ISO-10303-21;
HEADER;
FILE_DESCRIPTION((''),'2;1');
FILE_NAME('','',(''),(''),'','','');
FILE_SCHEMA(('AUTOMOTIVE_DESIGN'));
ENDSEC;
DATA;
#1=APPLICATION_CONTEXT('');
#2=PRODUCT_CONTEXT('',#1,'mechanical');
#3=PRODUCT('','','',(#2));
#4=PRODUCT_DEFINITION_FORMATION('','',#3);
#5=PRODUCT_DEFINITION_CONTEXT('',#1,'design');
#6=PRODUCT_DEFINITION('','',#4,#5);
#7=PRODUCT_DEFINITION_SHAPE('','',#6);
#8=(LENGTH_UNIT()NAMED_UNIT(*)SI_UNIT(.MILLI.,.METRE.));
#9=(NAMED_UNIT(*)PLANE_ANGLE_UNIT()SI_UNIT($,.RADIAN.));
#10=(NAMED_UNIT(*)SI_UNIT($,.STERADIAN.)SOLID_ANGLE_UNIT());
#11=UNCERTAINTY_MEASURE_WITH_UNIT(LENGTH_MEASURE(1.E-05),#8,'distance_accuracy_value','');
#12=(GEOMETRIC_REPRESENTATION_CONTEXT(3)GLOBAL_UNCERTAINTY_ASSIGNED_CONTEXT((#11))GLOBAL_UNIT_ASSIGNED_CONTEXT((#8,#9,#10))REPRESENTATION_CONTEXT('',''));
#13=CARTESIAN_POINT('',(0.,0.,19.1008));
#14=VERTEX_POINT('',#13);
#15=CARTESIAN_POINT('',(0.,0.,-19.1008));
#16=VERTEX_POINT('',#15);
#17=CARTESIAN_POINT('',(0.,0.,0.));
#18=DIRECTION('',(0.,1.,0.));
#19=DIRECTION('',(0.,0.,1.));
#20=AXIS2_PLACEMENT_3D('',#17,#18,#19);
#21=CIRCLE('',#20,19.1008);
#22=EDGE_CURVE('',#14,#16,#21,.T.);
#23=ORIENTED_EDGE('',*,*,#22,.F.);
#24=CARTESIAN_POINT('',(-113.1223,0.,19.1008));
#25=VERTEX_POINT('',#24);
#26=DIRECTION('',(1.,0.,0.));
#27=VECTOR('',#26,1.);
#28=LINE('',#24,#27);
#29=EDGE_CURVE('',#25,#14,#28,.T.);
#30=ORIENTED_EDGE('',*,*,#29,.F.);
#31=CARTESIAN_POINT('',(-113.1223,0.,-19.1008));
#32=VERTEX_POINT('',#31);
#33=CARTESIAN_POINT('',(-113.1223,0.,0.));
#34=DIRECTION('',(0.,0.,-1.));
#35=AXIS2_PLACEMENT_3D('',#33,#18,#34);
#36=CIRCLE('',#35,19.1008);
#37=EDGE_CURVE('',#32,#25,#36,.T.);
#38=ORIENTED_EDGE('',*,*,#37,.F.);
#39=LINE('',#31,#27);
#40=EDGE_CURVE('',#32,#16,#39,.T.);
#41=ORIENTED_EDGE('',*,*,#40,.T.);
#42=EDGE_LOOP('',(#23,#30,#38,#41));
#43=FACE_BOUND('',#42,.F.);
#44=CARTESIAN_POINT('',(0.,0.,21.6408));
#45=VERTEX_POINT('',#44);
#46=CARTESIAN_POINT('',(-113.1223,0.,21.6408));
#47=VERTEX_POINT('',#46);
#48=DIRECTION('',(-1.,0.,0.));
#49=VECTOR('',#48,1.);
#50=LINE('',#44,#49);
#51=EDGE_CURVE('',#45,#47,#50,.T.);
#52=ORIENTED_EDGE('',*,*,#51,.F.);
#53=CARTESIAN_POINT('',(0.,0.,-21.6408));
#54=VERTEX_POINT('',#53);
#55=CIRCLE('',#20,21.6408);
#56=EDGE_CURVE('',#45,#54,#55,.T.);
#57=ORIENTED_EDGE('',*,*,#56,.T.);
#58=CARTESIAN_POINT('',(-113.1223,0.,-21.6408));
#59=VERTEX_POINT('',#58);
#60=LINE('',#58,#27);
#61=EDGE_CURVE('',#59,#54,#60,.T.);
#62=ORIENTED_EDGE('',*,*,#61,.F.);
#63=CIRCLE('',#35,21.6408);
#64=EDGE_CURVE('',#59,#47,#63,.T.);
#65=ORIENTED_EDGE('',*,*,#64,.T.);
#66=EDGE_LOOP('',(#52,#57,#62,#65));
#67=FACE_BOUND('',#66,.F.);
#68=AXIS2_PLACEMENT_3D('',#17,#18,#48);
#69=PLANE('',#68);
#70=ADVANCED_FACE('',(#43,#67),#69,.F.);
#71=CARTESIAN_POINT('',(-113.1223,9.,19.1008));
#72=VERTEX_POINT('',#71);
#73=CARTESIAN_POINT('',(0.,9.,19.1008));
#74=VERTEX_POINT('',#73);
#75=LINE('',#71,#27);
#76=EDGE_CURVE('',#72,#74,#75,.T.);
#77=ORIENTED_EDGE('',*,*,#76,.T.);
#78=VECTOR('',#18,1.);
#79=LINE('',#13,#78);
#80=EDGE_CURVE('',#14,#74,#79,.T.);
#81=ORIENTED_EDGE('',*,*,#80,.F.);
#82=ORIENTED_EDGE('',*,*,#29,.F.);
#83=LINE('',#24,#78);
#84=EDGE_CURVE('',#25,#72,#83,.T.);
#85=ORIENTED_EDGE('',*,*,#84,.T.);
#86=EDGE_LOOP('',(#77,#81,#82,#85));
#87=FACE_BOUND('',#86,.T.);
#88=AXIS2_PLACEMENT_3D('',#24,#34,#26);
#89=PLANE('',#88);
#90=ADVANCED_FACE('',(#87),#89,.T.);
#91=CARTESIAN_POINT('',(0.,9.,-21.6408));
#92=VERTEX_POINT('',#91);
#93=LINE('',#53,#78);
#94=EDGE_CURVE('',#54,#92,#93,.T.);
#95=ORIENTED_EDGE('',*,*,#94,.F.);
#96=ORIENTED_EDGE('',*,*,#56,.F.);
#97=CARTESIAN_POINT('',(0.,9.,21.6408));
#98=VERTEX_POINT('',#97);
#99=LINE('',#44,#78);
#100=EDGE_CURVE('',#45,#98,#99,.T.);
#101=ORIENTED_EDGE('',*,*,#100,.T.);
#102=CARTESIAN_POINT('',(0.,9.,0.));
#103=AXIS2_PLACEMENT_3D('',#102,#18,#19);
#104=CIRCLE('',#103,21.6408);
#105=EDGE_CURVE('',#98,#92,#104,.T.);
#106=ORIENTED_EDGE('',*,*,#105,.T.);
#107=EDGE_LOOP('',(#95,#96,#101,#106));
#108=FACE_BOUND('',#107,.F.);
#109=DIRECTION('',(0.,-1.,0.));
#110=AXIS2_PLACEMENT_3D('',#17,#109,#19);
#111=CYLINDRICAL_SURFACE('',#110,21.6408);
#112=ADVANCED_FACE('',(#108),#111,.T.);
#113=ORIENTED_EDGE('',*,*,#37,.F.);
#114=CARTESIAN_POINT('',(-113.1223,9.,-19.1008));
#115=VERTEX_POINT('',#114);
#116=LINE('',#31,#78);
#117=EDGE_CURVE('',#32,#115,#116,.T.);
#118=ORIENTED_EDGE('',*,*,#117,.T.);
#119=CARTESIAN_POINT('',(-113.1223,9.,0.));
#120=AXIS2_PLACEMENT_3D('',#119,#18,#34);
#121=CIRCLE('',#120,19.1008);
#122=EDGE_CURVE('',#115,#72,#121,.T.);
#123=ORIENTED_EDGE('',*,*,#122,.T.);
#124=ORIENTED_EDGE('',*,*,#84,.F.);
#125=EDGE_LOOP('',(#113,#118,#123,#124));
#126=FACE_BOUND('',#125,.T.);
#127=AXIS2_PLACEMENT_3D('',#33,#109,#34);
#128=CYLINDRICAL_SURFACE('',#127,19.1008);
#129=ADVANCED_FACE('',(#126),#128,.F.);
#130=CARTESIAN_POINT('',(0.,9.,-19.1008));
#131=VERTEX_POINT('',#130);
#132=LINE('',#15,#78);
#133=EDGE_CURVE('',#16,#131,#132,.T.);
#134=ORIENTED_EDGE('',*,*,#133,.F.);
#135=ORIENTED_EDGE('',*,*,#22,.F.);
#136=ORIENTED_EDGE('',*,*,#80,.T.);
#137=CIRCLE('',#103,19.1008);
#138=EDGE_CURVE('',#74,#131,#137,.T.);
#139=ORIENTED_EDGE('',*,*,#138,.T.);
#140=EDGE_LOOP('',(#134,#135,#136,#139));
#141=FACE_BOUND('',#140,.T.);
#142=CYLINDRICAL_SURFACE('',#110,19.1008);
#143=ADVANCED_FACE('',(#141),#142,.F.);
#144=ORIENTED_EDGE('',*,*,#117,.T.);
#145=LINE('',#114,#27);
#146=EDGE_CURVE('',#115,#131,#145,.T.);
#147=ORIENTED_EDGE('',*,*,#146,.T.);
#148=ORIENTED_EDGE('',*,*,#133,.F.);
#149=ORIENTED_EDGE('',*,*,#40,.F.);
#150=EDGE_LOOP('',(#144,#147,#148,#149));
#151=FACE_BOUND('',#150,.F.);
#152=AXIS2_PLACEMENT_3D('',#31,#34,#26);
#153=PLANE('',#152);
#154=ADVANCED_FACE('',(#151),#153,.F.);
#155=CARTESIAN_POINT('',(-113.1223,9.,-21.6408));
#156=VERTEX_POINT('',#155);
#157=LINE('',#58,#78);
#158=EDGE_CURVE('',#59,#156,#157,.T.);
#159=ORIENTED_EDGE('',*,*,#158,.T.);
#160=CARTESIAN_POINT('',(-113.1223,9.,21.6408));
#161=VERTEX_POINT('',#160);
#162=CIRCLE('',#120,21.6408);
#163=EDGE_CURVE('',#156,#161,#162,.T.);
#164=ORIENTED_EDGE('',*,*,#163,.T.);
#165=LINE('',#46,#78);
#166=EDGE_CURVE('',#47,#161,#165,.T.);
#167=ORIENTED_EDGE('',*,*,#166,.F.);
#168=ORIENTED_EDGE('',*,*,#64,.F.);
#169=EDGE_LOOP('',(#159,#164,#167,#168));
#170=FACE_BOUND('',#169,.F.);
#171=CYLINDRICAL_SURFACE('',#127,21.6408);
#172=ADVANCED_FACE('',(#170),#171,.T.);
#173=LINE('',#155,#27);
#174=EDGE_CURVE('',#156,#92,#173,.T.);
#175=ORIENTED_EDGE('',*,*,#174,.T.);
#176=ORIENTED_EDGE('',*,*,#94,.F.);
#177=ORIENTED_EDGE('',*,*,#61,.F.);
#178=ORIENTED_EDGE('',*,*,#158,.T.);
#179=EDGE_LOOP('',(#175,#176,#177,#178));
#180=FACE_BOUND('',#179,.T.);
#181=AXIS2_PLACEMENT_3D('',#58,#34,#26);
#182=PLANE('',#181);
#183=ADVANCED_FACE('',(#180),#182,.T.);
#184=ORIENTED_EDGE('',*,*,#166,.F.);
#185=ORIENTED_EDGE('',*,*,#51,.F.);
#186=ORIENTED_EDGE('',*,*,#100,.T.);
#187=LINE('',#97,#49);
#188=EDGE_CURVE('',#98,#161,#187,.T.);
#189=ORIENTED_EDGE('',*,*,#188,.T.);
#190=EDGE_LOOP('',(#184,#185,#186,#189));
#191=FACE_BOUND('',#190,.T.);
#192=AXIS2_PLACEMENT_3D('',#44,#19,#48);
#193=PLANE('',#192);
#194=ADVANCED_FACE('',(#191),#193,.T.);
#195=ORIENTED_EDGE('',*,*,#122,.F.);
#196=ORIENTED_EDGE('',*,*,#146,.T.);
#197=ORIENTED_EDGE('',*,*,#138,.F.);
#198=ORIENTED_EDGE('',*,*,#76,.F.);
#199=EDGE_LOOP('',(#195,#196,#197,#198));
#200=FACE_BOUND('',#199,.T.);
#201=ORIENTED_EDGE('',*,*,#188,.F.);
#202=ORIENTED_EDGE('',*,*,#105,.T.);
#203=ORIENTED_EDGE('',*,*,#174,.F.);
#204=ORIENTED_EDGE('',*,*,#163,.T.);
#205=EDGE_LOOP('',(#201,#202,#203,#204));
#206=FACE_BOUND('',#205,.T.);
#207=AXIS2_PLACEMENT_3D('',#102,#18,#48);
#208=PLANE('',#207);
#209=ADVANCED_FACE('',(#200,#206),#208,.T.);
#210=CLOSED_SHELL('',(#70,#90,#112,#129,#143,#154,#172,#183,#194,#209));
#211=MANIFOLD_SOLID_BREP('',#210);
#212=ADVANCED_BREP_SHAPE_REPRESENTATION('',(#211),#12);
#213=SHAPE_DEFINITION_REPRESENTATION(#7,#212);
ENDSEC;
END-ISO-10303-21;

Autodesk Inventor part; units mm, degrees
ref_plane "YZ Plane" through (0, 0, 0) normal (1, 0, 0) x (0, 1, 0)
ref_plane "XZ Plane" through (0, 0, 0) normal (0, 1, 0) x (-1, 0, 0)
ref_plane "XY Plane" through (0, 0, 0) normal (0, 0, 1) x (1, 0, 0)
sketch "Sketch1" plane through (0, 0, 0) normal (0, 1, 0) x (-1, 0, 0)
  circle A0 centre (0, 0) radius 19.1008 construction
  line L0 (0, 0) -> (113.1223, 0) construction
  circle A1 centre (113.1223, 0) radius 19.1008 construction
  line L1 (113.1223, 19.1008) -> (0, 19.1008)
  line L2 (113.1223, -19.1008) -> (0, -19.1008)
  arc A2 (113.1223, -19.1008) -> (113.1223, 19.1008) centre (113.1223, 0) ccw
  arc A3 (0, 19.1008) -> (0, -19.1008) centre (0, 0) ccw
  line L3 (0, 21.6408) -> (113.1223, 21.6408)
  arc A4 (113.1223, -21.6408) -> (113.1223, 21.6408) centre (113.1223, 0) ccw
  line L4 (113.1223, -21.6408) -> (0, -21.6408)
  arc A5 (0, 21.6408) -> (0, -21.6408) centre (0, 0) ccw
  dimension "d0" = 38.2016
  dimension "d1" = 38.2016
  dimension "d2" = 113.1223
  dimension "d3" = 2.54
extrude "Extrusion1" add sketch "Sketch1" along normal blind 9
properties part number "SHOT_1_014_Belt3" material "Rubber, Silicone"
